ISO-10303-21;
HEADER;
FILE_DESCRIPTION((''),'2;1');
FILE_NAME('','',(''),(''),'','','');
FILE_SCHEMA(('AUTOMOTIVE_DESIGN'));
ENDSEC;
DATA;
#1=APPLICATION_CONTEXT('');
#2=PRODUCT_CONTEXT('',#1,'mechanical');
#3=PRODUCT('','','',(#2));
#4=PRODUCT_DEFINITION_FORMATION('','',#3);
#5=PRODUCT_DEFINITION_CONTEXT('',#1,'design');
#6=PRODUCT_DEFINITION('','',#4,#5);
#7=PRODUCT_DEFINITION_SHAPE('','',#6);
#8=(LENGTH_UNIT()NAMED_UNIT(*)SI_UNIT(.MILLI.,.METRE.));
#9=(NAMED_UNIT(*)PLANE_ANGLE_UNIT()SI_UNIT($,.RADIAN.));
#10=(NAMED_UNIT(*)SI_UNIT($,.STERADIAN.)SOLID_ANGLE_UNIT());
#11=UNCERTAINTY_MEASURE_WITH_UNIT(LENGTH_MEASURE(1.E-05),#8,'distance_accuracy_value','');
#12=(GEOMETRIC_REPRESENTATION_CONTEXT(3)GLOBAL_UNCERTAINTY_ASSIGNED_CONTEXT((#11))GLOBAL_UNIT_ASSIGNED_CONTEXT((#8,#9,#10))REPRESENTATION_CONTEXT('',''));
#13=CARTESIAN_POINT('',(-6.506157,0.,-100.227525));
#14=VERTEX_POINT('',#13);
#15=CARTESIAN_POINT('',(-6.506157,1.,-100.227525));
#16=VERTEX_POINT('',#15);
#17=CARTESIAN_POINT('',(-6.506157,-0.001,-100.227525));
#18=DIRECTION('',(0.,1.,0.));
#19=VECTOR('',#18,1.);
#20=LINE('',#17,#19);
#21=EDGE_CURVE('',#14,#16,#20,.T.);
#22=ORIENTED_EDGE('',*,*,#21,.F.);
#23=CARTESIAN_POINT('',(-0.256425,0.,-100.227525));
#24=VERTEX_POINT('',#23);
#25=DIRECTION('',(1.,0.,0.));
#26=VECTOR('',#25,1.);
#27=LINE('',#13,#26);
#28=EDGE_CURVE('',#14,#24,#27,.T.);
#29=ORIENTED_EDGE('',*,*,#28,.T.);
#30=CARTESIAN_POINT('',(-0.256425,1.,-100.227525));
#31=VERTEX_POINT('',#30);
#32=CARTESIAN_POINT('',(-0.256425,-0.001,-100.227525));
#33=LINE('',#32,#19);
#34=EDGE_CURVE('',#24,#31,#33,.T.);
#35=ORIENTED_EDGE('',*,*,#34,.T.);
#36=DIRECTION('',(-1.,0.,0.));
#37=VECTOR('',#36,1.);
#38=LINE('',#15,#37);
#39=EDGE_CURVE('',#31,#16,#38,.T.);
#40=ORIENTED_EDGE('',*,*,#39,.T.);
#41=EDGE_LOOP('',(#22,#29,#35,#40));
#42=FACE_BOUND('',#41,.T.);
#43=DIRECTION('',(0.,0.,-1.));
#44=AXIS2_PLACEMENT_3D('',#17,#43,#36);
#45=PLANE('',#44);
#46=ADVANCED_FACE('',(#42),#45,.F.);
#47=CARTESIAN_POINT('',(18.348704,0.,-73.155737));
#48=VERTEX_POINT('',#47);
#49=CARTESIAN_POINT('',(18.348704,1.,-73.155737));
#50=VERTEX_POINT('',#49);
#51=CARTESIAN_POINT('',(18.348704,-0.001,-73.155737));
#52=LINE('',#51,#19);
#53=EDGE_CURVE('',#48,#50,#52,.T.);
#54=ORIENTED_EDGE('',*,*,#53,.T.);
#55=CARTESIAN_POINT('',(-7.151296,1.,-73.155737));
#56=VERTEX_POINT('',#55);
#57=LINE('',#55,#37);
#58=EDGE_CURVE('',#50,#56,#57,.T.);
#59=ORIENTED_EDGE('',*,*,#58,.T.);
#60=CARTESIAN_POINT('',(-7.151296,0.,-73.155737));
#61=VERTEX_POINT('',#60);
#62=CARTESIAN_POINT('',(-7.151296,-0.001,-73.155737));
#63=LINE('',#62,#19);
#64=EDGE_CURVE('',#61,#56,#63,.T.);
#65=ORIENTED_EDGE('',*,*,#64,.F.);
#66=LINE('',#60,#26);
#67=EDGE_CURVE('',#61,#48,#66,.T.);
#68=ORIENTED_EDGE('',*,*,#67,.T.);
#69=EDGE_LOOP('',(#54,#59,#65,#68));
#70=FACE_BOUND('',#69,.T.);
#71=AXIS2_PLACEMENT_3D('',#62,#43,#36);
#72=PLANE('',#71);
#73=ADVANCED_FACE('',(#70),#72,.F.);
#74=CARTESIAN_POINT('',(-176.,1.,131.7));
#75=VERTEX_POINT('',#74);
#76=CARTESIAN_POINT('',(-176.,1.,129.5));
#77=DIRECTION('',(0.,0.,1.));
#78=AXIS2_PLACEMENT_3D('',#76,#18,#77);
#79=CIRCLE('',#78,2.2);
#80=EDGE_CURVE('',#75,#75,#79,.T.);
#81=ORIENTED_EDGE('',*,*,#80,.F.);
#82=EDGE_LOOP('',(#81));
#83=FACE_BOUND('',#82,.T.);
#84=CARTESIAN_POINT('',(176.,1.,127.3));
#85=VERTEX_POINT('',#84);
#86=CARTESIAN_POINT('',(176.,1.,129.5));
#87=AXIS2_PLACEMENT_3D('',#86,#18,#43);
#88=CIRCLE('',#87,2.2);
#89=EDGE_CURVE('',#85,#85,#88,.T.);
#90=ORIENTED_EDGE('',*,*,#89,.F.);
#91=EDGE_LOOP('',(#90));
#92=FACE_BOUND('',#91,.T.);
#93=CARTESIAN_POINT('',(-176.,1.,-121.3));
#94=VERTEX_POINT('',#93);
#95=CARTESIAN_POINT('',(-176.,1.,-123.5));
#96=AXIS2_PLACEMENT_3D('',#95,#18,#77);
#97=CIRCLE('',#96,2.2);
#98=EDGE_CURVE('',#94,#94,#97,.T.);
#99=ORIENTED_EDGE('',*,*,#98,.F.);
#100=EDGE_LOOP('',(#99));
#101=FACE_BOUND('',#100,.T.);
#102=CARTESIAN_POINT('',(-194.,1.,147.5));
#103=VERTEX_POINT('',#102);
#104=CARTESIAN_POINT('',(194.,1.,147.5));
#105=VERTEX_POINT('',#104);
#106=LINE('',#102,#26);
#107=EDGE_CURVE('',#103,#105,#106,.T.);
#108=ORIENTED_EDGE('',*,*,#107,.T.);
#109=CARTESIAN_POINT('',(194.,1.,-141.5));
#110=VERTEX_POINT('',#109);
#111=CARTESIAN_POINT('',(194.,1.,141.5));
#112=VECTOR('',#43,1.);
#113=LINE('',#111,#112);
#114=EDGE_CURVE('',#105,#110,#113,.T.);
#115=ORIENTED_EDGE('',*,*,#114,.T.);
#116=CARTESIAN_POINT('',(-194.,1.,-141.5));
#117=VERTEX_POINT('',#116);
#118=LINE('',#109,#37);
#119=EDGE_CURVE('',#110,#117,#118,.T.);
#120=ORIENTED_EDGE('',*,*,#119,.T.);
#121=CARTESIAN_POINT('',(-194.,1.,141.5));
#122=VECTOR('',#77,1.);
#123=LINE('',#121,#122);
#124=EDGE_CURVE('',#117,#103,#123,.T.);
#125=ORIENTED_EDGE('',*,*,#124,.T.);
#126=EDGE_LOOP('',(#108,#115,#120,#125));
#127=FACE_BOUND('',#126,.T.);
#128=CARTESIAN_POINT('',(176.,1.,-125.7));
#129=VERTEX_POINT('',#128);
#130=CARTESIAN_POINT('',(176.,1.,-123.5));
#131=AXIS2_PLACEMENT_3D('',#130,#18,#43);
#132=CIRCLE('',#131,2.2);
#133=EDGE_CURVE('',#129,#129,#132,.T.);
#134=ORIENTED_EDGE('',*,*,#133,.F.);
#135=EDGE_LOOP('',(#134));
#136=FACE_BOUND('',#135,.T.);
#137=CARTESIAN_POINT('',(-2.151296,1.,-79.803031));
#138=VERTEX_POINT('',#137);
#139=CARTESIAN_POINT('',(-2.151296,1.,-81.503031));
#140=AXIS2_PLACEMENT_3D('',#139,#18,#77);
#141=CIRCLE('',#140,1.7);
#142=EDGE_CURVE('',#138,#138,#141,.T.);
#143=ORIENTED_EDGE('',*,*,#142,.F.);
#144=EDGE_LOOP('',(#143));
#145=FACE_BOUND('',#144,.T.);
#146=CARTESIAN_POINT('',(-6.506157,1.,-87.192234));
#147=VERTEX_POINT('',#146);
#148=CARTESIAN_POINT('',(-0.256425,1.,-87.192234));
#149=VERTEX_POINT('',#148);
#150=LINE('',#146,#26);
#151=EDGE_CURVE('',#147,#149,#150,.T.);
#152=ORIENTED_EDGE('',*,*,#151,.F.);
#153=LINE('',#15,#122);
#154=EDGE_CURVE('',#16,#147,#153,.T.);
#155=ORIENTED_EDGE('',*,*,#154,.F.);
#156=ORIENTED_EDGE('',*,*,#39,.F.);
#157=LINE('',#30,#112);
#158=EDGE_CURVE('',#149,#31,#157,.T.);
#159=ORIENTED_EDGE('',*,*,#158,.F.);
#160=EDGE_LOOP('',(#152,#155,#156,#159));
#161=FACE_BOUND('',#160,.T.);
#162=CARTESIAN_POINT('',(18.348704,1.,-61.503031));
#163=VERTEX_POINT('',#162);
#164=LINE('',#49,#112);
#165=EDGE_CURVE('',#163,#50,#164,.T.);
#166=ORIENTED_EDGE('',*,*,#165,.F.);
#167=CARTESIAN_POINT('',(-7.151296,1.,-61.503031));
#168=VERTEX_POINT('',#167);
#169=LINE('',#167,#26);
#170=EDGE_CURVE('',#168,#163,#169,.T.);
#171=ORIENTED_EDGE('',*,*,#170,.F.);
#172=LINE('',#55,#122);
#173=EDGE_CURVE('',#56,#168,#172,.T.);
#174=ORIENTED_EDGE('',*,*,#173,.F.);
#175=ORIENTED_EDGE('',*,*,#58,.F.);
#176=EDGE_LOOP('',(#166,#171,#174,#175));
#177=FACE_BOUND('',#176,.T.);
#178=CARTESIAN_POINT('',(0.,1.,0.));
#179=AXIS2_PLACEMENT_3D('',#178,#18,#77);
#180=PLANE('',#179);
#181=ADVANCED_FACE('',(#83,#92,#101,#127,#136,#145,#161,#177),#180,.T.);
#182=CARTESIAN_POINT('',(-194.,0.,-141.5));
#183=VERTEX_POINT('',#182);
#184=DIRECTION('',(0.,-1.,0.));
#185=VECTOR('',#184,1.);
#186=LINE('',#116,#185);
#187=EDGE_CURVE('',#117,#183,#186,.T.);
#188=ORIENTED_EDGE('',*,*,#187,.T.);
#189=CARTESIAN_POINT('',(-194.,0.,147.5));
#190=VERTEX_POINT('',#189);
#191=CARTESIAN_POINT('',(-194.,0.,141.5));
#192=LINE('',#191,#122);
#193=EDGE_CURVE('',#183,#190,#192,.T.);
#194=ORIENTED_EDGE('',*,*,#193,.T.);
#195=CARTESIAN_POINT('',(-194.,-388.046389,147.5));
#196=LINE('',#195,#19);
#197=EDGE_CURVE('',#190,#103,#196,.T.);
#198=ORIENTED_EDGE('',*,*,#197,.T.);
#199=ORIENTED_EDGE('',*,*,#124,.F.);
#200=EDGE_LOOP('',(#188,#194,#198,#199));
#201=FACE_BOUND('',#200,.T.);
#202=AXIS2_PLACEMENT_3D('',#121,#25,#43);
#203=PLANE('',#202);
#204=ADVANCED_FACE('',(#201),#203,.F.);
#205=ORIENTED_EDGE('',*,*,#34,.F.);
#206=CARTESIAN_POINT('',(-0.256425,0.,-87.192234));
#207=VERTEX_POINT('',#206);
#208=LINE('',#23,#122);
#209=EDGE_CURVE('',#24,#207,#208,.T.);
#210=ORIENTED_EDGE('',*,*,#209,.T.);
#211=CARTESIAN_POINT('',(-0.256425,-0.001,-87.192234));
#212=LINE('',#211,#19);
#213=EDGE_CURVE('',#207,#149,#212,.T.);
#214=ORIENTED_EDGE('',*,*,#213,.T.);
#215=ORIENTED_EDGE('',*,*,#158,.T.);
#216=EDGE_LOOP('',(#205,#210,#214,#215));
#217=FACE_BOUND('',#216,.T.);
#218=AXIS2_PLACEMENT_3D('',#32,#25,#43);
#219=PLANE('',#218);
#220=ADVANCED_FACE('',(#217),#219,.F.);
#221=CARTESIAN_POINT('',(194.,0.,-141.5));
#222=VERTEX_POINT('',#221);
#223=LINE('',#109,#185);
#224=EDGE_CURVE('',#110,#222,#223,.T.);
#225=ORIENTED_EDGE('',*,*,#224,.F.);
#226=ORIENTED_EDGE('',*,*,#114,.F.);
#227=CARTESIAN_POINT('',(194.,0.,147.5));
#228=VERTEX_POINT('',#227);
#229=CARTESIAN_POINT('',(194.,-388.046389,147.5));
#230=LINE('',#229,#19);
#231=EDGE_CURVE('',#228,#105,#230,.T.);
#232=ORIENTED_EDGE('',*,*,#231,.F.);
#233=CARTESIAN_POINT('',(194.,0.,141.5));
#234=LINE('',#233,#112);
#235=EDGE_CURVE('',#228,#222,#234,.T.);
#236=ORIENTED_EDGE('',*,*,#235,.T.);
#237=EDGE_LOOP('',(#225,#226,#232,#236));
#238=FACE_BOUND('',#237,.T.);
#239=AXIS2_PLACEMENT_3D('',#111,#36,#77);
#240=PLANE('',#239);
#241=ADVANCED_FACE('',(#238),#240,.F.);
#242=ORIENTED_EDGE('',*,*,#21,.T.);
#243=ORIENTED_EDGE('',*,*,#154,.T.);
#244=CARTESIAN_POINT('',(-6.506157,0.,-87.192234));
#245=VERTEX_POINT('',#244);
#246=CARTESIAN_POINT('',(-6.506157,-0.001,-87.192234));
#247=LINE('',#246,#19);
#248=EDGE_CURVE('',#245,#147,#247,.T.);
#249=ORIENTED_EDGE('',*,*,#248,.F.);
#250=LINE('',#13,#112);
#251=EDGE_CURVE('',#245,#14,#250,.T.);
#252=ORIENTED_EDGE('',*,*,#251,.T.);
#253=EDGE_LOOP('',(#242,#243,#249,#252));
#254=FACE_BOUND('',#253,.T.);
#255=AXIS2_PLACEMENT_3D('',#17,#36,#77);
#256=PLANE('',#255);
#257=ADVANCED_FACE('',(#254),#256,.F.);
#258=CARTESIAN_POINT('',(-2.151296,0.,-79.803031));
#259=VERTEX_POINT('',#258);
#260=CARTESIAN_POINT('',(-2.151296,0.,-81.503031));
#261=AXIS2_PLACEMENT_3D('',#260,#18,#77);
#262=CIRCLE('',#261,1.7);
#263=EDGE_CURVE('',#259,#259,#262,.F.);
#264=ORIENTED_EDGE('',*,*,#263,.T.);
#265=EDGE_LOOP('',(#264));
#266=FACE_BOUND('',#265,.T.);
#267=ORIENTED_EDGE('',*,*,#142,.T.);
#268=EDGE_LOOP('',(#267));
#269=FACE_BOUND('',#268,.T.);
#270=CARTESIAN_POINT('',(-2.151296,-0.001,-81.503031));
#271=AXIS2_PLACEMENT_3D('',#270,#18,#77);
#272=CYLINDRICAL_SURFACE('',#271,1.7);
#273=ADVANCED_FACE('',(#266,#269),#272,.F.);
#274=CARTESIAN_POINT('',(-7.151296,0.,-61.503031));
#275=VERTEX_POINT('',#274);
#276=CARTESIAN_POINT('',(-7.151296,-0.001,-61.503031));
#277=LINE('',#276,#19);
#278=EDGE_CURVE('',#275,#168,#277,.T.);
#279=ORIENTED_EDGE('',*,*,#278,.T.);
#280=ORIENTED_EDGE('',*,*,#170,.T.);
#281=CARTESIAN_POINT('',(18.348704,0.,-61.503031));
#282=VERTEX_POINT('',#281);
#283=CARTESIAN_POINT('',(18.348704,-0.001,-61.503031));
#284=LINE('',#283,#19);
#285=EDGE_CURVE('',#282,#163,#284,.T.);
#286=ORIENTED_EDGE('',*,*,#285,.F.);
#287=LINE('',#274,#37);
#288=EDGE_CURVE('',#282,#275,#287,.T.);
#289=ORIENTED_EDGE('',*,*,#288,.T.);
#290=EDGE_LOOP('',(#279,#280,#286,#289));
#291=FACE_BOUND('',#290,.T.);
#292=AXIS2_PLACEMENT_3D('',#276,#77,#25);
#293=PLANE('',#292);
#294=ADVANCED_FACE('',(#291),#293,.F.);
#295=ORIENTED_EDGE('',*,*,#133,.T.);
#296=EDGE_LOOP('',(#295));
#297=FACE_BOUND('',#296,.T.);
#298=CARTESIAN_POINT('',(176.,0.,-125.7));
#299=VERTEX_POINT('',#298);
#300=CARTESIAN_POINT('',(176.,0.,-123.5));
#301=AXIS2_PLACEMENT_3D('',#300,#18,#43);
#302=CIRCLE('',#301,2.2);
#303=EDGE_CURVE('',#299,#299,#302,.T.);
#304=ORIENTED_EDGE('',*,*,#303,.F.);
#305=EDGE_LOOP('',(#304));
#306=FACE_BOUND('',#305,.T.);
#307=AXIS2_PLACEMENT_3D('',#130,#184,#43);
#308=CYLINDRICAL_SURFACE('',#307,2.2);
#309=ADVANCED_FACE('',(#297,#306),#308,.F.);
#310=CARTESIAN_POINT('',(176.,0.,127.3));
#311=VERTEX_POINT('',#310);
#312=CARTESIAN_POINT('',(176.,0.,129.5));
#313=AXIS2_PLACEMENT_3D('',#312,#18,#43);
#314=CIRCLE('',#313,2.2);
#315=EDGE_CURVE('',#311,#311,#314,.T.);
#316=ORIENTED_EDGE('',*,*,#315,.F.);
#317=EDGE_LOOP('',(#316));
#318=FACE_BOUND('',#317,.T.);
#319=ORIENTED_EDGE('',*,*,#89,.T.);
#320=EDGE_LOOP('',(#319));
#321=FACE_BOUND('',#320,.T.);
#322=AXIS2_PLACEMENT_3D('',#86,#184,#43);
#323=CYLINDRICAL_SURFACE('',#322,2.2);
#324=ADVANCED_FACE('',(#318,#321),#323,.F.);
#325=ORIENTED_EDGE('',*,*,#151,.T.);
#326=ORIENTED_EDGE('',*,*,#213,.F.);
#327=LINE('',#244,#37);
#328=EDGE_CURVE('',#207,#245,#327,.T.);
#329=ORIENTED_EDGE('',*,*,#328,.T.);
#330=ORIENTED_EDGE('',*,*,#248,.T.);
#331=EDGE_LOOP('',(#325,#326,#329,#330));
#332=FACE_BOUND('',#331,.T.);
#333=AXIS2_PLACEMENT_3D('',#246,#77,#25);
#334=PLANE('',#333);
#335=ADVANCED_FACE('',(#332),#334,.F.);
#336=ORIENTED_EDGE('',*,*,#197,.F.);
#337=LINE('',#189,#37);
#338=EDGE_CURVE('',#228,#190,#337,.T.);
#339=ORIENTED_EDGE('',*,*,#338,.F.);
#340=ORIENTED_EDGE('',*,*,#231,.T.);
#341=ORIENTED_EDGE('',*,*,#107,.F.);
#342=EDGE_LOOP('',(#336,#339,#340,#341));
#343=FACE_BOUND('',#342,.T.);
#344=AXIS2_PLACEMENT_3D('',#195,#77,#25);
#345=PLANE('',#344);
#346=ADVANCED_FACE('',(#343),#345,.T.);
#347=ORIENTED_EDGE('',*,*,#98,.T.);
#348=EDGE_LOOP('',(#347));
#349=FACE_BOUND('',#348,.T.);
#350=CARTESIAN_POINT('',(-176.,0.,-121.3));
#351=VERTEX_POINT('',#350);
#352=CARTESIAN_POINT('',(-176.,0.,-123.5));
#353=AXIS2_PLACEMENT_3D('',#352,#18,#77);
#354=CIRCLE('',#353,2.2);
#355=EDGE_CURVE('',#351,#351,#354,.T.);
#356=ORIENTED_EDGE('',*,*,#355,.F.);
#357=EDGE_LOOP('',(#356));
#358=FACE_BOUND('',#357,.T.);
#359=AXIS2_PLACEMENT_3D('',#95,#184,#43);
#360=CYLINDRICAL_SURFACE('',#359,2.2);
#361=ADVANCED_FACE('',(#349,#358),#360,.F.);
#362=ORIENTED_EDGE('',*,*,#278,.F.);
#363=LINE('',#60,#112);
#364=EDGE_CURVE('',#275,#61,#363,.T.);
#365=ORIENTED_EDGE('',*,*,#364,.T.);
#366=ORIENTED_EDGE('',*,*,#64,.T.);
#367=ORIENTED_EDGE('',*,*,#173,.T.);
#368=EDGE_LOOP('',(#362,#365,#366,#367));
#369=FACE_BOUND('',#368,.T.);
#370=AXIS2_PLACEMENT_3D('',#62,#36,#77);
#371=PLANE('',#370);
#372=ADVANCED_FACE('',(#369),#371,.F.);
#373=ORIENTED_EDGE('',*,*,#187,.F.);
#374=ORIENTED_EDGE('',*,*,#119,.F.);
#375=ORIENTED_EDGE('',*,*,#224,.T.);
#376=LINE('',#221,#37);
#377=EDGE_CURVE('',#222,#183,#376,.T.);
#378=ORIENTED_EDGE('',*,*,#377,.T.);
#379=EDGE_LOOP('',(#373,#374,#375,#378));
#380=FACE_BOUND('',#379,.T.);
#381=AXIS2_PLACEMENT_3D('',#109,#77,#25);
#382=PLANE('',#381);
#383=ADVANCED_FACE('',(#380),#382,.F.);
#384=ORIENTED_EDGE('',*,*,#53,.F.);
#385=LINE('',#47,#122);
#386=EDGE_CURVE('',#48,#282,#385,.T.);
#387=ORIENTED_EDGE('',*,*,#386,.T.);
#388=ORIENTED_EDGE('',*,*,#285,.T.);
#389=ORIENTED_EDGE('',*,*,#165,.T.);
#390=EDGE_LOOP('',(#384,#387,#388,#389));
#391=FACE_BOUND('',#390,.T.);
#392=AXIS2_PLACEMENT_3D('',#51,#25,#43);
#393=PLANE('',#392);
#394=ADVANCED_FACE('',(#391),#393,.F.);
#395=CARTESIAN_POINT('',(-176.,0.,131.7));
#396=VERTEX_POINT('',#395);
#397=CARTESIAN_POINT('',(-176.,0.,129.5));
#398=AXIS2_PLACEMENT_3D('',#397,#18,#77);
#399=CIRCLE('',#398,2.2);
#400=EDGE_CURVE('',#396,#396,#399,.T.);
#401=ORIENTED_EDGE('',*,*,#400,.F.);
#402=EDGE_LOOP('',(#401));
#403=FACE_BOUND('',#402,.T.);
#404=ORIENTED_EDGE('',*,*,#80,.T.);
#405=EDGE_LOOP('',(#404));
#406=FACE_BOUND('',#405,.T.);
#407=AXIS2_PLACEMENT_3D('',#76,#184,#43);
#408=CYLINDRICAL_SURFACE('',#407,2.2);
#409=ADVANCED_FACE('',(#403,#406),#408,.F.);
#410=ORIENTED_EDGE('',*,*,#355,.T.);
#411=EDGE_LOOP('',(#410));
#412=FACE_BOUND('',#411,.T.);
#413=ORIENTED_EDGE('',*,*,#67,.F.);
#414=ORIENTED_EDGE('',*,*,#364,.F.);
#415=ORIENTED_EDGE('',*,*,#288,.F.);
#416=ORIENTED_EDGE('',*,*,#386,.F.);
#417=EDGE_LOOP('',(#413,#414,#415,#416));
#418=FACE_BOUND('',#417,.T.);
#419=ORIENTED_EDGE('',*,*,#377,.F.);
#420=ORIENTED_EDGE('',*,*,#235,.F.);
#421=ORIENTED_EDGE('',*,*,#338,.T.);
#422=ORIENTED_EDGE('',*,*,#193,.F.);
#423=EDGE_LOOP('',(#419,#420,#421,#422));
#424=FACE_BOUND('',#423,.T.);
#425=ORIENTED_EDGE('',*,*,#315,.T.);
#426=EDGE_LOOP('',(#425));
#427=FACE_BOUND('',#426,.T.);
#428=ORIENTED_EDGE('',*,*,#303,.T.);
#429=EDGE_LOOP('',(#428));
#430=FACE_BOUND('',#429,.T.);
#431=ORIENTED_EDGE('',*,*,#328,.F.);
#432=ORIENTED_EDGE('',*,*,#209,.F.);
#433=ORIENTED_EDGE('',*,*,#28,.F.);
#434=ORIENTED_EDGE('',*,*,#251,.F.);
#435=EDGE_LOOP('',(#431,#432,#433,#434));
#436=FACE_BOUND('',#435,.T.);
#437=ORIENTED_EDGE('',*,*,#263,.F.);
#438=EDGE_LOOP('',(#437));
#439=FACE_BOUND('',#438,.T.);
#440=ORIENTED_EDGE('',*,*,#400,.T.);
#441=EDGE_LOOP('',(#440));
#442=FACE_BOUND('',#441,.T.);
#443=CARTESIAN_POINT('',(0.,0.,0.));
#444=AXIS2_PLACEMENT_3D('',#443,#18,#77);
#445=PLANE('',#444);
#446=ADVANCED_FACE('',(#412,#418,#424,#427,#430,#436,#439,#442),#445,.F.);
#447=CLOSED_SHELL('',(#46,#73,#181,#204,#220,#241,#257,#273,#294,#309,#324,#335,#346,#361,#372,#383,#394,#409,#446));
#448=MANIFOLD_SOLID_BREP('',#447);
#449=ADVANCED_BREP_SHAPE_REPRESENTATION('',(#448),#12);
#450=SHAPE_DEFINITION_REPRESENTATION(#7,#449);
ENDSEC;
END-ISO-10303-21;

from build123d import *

# Parameters (mm, degrees)
SKETCH1_W           = 388
SKETCH1_H           = 283
SKETCH1_R           = 2.2
BOSS_EXTRUDE1_DEPTH = 1
SKETCH3_W           = 388
SKETCH3_H           = 6
BOSS_EXTRUDE2_DEPTH = 1
CUT_EXTRUDE1_REACH  = 245.707
SKETCH2_R           = 1.7
SKETCH2_W           = 6.249732698
SKETCH2_H           = 13.035291303
SKETCH2_W_2         = 25.5
SKETCH2_H_2         = 11.652706254


with BuildPart() as part:
    # Sketch1 → Boss-Extrude1 (new body)
    with BuildSketch(Plane(origin=(0, 0, 0), x_dir=(1, 0, 0), z_dir=(0, 1, 0))):
        Rectangle(SKETCH1_W, SKETCH1_H)
        with Locations(Location((-176, -129.5, 0), (0, 0, 270))):
            Circle(SKETCH1_R, mode=Mode.SUBTRACT)
        with Locations(Location((-176, 123.5, 0), (0, 0, 270))):
            Circle(SKETCH1_R, mode=Mode.SUBTRACT)
        with Locations(Location((176, 123.5, 0), (0, 0, 90))):
            Circle(SKETCH1_R, mode=Mode.SUBTRACT)
        with Locations(Location((176, -129.5, 0), (0, 0, 90))):
            Circle(SKETCH1_R, mode=Mode.SUBTRACT)
    extrude(amount=BOSS_EXTRUDE1_DEPTH)

    # Sketch3 → Boss-Extrude2 (add)
    with BuildSketch(Plane(origin=(0, 1, 0), x_dir=(1, 0, 0), z_dir=(0, 1, 0))):
        with Locations((0, -144.5)):
            Rectangle(SKETCH3_W, SKETCH3_H)
    extrude(amount=-BOSS_EXTRUDE2_DEPTH)

    # Sketch2 → Cut-Extrude1 (cut, up to next)
    with BuildSketch(Plane(origin=(0, 1, 0), x_dir=(1, 0, 0), z_dir=(0, 1, 0)), mode=Mode.PRIVATE) as cut_extrude1_sk1:
        with Locations(Location((-2.151296326, 81.503031076, 0), (0, 0, 270))):
            Circle(SKETCH2_R)
    cut_extrude1_tool1 = extrude(cut_extrude1_sk1.sketch, amount=-CUT_EXTRUDE1_REACH, mode=Mode.PRIVATE) & part.part
    # Sketch2 → Cut-Extrude1 (cut, up to next)
    with BuildSketch(Plane(origin=(0, 1, 0), x_dir=(1, 0, 0), z_dir=(0, 1, 0)), mode=Mode.PRIVATE) as cut_extrude1_sk2:
        with Locations((-3.381291093, 93.709879219)):
            Rectangle(SKETCH2_W, SKETCH2_H)
    cut_extrude1_tool2 = extrude(cut_extrude1_sk2.sketch, amount=-CUT_EXTRUDE1_REACH, mode=Mode.PRIVATE) & part.part
    # Sketch2 → Cut-Extrude1 (cut, up to next)
    with BuildSketch(Plane(origin=(0, 1, 0), x_dir=(1, 0, 0), z_dir=(0, 1, 0)), mode=Mode.PRIVATE) as cut_extrude1_sk3:
        with Locations((5.598703674, 67.329384203)):
            Rectangle(SKETCH2_W_2, SKETCH2_H_2)
    cut_extrude1_tool3 = extrude(cut_extrude1_sk3.sketch, amount=-CUT_EXTRUDE1_REACH, mode=Mode.PRIVATE) & part.part
    add(cut_extrude1_tool1.solids().sort_by_distance((-2.151296, 1, -81.503031))[0], mode=Mode.SUBTRACT)
    add(cut_extrude1_tool2.solids().sort_by_distance((-3.381291, 1, -93.709879))[0], mode=Mode.SUBTRACT)
    add(cut_extrude1_tool3.solids().sort_by_distance((5.598704, 1, -67.329384))[0], mode=Mode.SUBTRACT)


solid = part.part
